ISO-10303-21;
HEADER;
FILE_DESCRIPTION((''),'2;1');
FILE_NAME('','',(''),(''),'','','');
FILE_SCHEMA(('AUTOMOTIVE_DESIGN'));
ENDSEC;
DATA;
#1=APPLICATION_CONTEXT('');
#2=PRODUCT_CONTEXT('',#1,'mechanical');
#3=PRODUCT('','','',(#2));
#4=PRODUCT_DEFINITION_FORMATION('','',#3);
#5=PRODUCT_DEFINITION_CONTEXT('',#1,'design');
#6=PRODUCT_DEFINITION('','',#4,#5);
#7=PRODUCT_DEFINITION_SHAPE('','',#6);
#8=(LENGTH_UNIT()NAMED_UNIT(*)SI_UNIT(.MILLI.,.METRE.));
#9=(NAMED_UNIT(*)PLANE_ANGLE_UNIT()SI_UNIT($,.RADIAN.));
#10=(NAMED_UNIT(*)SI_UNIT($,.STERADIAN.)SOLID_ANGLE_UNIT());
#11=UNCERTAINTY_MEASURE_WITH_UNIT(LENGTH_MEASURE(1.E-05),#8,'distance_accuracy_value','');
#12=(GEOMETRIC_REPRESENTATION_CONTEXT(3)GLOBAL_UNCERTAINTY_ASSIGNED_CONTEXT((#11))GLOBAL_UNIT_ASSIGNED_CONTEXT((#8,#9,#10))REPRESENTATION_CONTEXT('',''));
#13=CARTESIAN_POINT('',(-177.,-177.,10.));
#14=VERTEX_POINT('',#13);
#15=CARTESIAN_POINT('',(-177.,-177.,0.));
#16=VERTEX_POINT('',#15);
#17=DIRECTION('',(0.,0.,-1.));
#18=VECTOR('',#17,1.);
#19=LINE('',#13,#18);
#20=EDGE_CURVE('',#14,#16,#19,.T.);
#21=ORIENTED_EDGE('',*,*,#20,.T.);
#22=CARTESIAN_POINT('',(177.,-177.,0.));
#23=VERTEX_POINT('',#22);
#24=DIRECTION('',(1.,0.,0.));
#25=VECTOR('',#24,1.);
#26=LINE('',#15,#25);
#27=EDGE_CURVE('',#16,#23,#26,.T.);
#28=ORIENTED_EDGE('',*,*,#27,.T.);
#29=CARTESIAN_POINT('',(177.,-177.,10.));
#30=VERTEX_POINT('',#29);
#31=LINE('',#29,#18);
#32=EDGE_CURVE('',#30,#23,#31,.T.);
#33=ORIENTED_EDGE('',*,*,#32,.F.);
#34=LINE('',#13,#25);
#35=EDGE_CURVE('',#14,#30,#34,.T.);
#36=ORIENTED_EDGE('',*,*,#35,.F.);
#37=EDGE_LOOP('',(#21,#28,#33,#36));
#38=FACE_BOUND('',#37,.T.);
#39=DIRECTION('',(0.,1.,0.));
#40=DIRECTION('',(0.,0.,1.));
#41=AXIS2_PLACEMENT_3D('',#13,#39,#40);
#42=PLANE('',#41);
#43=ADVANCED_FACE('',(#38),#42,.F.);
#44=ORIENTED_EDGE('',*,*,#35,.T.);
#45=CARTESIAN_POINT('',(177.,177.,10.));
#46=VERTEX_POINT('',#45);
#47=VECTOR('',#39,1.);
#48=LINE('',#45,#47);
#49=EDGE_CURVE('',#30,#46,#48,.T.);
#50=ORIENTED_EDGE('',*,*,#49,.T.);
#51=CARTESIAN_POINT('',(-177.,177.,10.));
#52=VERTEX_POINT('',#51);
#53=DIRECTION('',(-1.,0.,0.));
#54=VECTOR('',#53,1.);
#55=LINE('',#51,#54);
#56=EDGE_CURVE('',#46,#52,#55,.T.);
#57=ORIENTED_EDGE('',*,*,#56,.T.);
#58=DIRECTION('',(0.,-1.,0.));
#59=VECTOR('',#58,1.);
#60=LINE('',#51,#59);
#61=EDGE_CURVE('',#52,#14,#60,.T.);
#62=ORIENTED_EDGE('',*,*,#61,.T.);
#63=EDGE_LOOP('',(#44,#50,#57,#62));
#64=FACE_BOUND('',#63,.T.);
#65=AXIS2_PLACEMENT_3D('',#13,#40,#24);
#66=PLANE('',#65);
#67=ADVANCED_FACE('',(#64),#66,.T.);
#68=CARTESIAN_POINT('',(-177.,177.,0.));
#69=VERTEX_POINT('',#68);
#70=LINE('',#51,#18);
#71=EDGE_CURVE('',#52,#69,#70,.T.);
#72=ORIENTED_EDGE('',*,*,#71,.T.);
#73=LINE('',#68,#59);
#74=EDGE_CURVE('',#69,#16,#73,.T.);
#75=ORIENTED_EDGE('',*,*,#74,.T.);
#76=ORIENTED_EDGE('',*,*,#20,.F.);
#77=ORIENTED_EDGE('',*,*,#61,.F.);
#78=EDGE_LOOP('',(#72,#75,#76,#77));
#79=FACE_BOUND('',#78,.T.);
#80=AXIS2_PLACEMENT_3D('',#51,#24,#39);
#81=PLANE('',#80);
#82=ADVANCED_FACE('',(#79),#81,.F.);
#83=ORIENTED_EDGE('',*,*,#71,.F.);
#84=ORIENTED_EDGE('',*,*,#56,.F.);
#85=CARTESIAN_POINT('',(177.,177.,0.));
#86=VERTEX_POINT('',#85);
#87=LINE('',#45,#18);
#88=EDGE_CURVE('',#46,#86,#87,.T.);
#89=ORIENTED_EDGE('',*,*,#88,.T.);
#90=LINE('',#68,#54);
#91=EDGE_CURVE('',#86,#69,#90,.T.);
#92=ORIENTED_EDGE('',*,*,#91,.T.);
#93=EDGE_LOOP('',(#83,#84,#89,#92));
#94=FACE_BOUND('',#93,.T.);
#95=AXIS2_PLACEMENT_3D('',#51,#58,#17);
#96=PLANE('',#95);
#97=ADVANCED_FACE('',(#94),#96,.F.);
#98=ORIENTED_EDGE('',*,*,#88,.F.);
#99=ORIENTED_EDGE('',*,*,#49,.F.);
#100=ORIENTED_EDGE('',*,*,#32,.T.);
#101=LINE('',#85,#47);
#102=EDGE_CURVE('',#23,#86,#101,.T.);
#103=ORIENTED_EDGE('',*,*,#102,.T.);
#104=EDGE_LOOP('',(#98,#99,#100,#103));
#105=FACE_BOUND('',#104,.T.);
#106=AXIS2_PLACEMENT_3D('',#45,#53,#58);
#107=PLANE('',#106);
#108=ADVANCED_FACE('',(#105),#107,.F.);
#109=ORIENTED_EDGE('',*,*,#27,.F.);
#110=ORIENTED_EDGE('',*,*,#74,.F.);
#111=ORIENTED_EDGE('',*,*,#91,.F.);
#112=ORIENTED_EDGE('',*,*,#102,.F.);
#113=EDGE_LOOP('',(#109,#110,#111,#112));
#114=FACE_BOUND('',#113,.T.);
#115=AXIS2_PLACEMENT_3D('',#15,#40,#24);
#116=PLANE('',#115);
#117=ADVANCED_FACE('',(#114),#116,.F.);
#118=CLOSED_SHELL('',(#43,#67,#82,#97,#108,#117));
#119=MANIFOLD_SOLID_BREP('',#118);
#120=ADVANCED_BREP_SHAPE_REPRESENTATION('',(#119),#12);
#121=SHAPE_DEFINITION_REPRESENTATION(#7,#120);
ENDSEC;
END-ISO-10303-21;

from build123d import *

# Parameters (mm, degrees)
ESBO_O1_W                = 354
ESBO_O1_H                = 354
RESSALTO_EXTRUS_O1_DEPTH = 10


with BuildPart() as part:
    # Esboço1 → Ressalto-extrusão1 (new body)
    with BuildSketch(Plane.XY):
        Rectangle(ESBO_O1_W, ESBO_O1_H)
    extrude(amount=RESSALTO_EXTRUS_O1_DEPTH)


solid = part.part
